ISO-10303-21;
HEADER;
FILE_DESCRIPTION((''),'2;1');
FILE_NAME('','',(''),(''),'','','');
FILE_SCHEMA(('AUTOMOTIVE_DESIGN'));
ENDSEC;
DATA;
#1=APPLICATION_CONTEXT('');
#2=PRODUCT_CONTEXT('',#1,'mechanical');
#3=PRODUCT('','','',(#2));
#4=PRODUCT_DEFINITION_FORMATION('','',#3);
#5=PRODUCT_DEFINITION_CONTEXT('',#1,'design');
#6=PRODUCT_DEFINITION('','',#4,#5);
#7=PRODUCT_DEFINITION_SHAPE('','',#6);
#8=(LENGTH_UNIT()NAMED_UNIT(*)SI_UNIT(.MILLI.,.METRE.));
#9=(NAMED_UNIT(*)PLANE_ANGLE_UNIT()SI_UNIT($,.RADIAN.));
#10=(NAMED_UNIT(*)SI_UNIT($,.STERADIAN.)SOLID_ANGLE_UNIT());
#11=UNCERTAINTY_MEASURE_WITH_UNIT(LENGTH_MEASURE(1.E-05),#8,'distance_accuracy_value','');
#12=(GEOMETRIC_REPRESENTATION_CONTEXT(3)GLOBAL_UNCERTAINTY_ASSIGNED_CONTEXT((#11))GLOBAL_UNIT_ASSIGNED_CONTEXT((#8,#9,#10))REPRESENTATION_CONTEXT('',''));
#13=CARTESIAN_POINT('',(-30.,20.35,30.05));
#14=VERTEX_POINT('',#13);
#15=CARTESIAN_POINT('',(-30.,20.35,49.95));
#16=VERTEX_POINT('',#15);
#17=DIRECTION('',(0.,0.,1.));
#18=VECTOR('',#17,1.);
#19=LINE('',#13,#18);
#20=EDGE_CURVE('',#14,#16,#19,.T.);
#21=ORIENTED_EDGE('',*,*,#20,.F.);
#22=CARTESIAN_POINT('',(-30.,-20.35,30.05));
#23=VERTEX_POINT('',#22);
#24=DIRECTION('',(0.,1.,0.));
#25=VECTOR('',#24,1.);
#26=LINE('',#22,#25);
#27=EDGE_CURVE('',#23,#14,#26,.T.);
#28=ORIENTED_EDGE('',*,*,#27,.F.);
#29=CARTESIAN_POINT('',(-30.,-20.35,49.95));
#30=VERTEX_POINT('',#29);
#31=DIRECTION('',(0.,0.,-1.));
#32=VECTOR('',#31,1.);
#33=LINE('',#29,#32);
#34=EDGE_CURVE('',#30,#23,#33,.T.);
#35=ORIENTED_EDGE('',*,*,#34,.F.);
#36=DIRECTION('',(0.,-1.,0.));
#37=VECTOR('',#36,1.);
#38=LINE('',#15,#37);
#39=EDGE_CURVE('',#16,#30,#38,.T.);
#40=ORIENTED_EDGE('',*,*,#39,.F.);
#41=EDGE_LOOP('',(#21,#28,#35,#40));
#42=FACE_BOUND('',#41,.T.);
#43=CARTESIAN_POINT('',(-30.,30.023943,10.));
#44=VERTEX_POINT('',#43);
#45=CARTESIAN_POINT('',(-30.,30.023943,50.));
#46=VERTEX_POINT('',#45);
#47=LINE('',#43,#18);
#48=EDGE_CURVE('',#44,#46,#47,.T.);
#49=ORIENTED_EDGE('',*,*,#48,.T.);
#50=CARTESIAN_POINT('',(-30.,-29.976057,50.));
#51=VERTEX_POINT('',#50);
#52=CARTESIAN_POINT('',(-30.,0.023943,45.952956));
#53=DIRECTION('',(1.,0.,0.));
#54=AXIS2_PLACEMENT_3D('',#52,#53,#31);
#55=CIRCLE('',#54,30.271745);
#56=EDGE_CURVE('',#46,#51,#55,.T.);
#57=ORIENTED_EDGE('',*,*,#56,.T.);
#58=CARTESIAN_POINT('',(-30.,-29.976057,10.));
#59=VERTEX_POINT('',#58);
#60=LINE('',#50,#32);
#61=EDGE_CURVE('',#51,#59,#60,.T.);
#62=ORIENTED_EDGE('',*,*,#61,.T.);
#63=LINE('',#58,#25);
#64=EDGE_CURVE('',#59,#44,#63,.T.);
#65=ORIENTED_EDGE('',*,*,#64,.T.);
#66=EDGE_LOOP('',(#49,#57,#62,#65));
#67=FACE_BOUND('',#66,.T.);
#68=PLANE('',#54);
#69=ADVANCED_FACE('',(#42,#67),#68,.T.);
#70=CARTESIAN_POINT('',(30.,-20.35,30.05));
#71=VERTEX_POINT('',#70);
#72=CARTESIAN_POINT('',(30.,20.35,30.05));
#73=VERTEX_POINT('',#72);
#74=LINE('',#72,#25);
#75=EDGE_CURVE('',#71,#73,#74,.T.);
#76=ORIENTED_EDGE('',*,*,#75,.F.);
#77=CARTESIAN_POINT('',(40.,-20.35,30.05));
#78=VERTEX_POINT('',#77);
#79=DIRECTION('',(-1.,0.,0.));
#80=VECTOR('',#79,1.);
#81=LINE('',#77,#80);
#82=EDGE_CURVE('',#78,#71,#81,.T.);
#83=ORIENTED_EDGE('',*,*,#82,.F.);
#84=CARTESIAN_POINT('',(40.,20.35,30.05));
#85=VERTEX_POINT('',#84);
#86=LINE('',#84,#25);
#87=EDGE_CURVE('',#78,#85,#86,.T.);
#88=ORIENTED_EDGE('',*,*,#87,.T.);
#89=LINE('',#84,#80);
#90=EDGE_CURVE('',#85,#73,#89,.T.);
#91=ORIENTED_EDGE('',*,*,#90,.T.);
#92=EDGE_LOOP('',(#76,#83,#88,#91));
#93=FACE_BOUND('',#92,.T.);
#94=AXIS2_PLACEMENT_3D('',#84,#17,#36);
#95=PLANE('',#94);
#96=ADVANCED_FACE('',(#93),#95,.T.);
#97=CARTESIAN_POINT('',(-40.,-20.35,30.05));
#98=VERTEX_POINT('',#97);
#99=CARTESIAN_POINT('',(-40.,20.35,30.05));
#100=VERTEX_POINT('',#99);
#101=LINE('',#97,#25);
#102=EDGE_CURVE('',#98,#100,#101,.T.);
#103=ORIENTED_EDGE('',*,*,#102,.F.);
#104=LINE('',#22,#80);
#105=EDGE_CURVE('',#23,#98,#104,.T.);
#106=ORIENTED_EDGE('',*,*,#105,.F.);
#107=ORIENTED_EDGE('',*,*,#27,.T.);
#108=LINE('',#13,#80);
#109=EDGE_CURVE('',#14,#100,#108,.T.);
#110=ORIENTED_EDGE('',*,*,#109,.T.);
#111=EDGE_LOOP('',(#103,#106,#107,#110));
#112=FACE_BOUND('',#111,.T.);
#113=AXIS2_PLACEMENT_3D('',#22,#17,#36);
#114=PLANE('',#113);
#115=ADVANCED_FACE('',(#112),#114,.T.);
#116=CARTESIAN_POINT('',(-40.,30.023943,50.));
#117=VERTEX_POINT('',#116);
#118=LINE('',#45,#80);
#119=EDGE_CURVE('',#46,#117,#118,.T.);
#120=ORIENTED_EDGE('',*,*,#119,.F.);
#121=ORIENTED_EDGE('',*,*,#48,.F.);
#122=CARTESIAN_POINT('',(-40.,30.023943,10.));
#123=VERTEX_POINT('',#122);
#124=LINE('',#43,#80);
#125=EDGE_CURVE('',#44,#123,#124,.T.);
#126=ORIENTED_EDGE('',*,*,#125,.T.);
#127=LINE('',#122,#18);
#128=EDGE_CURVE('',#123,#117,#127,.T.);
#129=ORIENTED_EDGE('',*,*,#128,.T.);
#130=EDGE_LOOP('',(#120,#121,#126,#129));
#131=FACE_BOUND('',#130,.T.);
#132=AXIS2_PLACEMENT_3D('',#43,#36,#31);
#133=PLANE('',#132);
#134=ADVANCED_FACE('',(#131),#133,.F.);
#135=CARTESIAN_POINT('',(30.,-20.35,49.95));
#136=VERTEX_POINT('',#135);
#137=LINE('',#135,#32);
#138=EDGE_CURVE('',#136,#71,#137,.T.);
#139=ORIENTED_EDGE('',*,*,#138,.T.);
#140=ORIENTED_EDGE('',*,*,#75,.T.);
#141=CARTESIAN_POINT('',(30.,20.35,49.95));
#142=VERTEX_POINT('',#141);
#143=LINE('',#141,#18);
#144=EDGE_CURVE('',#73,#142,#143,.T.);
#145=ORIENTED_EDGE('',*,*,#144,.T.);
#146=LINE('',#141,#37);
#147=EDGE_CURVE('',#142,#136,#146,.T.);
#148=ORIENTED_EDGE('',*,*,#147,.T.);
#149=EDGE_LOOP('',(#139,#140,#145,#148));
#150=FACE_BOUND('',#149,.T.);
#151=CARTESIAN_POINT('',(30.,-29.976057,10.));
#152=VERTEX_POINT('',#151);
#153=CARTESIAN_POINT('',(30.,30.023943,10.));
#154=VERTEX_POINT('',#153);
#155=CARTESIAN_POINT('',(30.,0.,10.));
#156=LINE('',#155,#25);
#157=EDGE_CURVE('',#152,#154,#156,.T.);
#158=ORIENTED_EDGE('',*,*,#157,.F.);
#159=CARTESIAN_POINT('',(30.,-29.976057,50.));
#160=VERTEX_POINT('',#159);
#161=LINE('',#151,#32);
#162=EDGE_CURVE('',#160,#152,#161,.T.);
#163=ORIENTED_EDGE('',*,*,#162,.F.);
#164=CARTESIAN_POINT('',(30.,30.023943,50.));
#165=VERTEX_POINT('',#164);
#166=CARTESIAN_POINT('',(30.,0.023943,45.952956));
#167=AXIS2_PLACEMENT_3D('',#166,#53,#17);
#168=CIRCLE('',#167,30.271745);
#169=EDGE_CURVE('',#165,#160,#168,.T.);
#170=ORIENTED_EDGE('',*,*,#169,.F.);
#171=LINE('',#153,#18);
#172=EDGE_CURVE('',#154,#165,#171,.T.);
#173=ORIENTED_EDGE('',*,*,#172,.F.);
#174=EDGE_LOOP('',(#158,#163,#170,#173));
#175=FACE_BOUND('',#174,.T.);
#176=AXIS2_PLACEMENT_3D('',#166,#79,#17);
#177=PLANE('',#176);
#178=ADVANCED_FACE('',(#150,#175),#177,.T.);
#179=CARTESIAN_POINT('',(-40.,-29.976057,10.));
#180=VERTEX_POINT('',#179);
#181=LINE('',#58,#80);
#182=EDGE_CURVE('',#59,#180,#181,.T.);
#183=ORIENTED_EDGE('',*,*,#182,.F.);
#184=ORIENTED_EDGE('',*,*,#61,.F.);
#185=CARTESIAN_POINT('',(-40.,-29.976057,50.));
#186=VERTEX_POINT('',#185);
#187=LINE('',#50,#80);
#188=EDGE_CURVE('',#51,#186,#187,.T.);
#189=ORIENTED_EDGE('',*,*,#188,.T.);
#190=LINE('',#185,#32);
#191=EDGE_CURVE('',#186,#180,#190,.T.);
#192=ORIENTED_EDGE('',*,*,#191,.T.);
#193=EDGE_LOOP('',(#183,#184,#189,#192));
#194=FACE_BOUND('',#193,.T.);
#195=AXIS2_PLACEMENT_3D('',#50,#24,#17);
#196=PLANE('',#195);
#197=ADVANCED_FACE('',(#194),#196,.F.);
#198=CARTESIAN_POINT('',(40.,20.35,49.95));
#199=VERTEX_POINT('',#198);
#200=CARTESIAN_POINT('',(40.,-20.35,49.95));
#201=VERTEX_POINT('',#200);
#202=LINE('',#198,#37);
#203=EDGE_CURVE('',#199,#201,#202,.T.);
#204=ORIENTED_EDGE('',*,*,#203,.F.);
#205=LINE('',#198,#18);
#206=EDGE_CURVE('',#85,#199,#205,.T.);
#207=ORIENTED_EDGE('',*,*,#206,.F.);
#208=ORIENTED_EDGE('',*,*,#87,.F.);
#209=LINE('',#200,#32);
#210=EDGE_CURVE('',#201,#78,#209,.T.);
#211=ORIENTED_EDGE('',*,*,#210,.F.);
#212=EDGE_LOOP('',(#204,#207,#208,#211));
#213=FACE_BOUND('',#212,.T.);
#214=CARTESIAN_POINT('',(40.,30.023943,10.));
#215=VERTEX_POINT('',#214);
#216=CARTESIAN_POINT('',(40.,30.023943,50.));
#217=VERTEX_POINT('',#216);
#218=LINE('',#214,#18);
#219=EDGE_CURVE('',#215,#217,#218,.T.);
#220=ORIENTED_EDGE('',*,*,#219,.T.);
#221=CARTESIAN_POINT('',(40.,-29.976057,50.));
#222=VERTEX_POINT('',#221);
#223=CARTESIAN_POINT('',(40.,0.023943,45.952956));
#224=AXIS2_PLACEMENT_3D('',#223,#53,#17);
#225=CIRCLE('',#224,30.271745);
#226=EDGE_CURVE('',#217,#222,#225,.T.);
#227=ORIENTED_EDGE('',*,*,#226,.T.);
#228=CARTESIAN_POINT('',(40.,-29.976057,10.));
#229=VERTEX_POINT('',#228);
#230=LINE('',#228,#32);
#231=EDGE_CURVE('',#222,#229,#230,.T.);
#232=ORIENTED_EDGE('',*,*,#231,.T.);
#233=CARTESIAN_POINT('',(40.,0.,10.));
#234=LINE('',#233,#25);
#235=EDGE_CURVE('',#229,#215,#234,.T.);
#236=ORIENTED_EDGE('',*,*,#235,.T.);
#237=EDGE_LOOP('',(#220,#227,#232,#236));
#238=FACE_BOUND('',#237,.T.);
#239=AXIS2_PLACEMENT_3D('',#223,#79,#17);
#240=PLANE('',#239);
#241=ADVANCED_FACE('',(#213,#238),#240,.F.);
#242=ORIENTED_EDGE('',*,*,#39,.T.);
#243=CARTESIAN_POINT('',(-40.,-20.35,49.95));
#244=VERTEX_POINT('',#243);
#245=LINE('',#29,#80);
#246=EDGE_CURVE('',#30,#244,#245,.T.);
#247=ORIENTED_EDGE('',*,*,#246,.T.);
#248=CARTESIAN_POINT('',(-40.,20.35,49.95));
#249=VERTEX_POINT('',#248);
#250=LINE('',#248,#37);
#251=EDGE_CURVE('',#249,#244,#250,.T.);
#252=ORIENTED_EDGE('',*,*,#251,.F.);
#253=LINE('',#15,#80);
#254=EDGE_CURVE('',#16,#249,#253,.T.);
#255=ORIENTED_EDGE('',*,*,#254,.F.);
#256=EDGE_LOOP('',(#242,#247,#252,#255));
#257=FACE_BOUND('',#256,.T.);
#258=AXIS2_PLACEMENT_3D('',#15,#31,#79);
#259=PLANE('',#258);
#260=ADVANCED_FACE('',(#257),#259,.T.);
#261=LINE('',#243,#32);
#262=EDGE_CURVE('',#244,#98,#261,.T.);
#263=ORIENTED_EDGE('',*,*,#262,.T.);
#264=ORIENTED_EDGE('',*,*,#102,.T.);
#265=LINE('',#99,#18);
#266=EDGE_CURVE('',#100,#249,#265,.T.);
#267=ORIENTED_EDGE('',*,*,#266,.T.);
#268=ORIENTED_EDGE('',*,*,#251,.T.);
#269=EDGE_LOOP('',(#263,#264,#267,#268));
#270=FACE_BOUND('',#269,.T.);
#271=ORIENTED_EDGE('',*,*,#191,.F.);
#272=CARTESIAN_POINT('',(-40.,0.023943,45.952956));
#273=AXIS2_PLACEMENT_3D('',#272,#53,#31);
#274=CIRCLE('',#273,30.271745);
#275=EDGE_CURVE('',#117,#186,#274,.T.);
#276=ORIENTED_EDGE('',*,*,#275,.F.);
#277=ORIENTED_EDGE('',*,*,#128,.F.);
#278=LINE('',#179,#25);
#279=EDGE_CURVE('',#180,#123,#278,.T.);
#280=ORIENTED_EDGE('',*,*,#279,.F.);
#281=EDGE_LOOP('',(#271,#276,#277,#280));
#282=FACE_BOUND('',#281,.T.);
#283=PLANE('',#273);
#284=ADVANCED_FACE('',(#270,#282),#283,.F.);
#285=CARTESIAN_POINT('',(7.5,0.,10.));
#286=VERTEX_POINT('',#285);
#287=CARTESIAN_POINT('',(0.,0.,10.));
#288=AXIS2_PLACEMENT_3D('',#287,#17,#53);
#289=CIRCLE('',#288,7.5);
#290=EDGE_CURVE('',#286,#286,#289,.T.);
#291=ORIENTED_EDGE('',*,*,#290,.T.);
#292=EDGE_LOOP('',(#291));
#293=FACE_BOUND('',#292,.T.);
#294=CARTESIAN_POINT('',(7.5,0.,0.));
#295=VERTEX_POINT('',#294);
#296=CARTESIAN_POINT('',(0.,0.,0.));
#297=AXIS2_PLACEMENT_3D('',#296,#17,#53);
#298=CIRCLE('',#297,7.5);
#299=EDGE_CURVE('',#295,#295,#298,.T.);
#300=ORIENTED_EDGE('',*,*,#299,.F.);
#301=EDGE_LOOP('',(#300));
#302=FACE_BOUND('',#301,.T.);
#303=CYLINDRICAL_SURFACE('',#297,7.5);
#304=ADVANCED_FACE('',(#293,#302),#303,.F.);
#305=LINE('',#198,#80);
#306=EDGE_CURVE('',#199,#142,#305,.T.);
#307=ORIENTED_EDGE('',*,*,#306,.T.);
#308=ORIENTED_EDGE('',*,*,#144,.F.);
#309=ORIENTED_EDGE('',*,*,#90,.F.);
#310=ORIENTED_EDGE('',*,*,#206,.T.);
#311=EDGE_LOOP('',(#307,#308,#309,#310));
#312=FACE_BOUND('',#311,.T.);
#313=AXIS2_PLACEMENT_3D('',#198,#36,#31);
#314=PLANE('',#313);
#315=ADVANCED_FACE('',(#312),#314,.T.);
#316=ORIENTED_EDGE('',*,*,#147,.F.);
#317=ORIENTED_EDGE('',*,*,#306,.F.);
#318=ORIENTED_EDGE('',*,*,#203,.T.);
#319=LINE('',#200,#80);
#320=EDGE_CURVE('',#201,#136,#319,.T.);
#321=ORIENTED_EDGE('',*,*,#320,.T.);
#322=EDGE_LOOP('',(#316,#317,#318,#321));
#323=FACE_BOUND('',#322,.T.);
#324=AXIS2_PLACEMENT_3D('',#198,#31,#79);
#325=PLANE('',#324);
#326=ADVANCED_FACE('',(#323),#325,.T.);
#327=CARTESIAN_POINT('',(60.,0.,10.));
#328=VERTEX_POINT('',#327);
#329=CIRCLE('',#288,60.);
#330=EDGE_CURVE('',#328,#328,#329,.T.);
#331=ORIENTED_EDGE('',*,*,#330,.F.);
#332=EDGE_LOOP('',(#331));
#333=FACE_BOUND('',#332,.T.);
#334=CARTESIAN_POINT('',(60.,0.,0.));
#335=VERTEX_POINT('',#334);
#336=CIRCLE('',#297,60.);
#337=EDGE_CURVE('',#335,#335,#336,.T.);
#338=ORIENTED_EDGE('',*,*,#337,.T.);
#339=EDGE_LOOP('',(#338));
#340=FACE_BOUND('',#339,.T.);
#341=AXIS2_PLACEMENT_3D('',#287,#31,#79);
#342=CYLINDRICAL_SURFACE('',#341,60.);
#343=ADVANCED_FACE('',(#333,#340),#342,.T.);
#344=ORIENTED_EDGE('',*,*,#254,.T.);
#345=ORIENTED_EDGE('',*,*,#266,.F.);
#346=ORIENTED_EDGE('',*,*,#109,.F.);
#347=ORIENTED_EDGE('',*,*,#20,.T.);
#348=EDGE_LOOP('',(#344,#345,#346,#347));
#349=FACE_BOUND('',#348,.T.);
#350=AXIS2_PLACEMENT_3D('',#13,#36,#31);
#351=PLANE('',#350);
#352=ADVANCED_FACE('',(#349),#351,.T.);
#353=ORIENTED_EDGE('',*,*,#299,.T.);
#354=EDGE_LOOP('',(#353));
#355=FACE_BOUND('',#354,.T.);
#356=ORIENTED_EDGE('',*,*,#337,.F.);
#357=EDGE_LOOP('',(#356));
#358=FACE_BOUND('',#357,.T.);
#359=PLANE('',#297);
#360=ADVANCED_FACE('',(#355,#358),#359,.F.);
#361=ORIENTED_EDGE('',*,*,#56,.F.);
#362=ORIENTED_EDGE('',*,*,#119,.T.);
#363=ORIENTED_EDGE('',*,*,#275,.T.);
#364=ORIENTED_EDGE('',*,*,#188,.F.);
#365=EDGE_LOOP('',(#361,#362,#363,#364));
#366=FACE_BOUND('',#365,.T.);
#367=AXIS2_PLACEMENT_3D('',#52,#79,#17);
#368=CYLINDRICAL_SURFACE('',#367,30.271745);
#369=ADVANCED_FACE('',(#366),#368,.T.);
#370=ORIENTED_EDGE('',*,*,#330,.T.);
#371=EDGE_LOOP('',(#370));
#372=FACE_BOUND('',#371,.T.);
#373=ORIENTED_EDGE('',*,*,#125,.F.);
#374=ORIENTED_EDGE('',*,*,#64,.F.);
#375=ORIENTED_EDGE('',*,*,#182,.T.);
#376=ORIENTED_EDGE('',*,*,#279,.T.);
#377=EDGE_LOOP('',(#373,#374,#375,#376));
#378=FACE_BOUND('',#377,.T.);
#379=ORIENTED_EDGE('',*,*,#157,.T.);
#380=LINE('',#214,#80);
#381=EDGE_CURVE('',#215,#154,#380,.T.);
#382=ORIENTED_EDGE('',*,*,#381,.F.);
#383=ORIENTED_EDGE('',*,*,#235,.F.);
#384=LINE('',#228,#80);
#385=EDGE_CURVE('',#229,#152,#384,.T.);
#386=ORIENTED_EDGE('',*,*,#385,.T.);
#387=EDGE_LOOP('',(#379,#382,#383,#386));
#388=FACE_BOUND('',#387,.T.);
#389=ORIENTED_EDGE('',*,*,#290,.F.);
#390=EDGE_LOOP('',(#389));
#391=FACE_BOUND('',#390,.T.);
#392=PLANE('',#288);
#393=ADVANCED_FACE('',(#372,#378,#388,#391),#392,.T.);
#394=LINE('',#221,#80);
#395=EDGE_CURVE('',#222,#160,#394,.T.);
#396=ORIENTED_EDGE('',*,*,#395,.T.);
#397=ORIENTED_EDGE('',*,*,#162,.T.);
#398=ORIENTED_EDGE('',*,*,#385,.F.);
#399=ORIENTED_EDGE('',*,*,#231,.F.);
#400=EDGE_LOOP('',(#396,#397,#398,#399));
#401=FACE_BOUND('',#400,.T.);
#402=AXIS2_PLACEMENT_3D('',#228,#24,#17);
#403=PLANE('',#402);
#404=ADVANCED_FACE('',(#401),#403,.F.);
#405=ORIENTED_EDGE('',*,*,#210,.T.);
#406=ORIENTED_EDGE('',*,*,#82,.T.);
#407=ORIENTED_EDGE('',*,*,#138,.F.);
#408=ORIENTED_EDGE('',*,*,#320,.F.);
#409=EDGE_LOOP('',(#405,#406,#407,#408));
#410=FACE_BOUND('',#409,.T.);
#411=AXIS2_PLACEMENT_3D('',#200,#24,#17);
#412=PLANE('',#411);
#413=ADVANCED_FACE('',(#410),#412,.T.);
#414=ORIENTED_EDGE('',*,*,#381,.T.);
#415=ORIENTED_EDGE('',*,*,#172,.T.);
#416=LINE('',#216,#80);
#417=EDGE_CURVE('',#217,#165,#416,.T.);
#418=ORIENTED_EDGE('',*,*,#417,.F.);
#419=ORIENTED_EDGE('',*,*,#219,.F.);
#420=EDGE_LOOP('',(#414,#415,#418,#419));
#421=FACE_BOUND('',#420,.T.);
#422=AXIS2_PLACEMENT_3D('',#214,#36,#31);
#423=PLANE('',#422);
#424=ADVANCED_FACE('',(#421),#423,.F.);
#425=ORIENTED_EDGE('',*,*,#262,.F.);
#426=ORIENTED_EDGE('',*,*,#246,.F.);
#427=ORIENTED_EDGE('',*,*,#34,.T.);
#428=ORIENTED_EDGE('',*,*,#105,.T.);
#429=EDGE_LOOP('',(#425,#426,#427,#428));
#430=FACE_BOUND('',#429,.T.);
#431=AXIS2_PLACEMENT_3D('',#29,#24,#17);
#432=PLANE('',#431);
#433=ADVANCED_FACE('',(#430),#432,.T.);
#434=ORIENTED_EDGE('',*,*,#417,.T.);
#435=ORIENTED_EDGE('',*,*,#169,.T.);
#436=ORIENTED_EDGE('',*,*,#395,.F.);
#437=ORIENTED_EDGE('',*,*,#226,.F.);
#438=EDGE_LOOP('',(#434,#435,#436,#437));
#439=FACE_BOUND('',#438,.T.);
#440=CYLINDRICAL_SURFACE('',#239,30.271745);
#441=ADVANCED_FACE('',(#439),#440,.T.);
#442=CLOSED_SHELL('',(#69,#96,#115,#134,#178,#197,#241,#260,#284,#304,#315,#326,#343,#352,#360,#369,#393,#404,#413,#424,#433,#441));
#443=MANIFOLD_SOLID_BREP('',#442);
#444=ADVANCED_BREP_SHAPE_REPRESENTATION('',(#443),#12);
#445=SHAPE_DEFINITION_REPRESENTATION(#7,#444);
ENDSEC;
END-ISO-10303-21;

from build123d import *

# Parameters (mm, degrees)
SKETCH_1_R          = 60
EXTRUDE_1_DEPTH     = 10
SKETCH_3_W          = 19.9
SKETCH_3_H          = 40.7
EXTRUDE_4_DEPTH     = 10
SKETCH_10_W         = 19.9
SKETCH_10_H         = 40.7
EXTRUDE_7_DEPTH     = 10
SKETCH_11_R         = 7.5
CUT_EXTRUDE_1_DEPTH = 108.636941111


with BuildPart() as part:
    # 스케치1 → 보스-돌출1 (new body)
    with BuildSketch(Plane.XY):
        Circle(SKETCH_1_R)
    extrude(amount=EXTRUDE_1_DEPTH)

    # 스케치3 → 보스-돌출4 (add)
    with BuildSketch(Plane(origin=(30, 0, 0), x_dir=(0, 0, -1), z_dir=(1, 0, 0))):
        with BuildLine():
            Line((-10, 0), (-10, 30.023943052))
            Line((-10, 30.023943052), (-50, 30.023943052))
            ThreePointArc((-50, 30.023943052), (-76.224701523, 0.023943052), (-50, -29.976056948))
            Line((-50, -29.976056948), (-10, -29.976056948))
            Line((-10, -29.976056948), (-10, 0))
        make_face()
        with Locations((-40, 0)):
            Rectangle(SKETCH_3_W, SKETCH_3_H, mode=Mode.SUBTRACT)
    extrude(amount=EXTRUDE_4_DEPTH)

    # 스케치10 → 보스-돌출7 (add)
    with BuildSketch(Plane(origin=(-40, 0, 0), x_dir=(0, 0, -1), z_dir=(1, 0, 0))):
        with BuildLine():
            Line((-10, 30.023943052), (-50, 30.023943052))
            ThreePointArc((-50, 30.023943052), (-76.224701523, 0.023943052), (-50, -29.976056948))
            Line((-50, -29.976056948), (-10, -29.976056948))
            Line((-10, -29.976056948), (-10, 30.023943052))
        make_face()
        with Locations((-40, 0)):
            Rectangle(SKETCH_10_W, SKETCH_10_H, mode=Mode.SUBTRACT)
    extrude(amount=EXTRUDE_7_DEPTH)

    # 스케치11 → 컷-돌출1 (cut, through all)
    with BuildSketch(Plane.XY.offset(10)):
        Circle(SKETCH_11_R)
    extrude(amount=-CUT_EXTRUDE_1_DEPTH, mode=Mode.SUBTRACT)


solid = part.part
